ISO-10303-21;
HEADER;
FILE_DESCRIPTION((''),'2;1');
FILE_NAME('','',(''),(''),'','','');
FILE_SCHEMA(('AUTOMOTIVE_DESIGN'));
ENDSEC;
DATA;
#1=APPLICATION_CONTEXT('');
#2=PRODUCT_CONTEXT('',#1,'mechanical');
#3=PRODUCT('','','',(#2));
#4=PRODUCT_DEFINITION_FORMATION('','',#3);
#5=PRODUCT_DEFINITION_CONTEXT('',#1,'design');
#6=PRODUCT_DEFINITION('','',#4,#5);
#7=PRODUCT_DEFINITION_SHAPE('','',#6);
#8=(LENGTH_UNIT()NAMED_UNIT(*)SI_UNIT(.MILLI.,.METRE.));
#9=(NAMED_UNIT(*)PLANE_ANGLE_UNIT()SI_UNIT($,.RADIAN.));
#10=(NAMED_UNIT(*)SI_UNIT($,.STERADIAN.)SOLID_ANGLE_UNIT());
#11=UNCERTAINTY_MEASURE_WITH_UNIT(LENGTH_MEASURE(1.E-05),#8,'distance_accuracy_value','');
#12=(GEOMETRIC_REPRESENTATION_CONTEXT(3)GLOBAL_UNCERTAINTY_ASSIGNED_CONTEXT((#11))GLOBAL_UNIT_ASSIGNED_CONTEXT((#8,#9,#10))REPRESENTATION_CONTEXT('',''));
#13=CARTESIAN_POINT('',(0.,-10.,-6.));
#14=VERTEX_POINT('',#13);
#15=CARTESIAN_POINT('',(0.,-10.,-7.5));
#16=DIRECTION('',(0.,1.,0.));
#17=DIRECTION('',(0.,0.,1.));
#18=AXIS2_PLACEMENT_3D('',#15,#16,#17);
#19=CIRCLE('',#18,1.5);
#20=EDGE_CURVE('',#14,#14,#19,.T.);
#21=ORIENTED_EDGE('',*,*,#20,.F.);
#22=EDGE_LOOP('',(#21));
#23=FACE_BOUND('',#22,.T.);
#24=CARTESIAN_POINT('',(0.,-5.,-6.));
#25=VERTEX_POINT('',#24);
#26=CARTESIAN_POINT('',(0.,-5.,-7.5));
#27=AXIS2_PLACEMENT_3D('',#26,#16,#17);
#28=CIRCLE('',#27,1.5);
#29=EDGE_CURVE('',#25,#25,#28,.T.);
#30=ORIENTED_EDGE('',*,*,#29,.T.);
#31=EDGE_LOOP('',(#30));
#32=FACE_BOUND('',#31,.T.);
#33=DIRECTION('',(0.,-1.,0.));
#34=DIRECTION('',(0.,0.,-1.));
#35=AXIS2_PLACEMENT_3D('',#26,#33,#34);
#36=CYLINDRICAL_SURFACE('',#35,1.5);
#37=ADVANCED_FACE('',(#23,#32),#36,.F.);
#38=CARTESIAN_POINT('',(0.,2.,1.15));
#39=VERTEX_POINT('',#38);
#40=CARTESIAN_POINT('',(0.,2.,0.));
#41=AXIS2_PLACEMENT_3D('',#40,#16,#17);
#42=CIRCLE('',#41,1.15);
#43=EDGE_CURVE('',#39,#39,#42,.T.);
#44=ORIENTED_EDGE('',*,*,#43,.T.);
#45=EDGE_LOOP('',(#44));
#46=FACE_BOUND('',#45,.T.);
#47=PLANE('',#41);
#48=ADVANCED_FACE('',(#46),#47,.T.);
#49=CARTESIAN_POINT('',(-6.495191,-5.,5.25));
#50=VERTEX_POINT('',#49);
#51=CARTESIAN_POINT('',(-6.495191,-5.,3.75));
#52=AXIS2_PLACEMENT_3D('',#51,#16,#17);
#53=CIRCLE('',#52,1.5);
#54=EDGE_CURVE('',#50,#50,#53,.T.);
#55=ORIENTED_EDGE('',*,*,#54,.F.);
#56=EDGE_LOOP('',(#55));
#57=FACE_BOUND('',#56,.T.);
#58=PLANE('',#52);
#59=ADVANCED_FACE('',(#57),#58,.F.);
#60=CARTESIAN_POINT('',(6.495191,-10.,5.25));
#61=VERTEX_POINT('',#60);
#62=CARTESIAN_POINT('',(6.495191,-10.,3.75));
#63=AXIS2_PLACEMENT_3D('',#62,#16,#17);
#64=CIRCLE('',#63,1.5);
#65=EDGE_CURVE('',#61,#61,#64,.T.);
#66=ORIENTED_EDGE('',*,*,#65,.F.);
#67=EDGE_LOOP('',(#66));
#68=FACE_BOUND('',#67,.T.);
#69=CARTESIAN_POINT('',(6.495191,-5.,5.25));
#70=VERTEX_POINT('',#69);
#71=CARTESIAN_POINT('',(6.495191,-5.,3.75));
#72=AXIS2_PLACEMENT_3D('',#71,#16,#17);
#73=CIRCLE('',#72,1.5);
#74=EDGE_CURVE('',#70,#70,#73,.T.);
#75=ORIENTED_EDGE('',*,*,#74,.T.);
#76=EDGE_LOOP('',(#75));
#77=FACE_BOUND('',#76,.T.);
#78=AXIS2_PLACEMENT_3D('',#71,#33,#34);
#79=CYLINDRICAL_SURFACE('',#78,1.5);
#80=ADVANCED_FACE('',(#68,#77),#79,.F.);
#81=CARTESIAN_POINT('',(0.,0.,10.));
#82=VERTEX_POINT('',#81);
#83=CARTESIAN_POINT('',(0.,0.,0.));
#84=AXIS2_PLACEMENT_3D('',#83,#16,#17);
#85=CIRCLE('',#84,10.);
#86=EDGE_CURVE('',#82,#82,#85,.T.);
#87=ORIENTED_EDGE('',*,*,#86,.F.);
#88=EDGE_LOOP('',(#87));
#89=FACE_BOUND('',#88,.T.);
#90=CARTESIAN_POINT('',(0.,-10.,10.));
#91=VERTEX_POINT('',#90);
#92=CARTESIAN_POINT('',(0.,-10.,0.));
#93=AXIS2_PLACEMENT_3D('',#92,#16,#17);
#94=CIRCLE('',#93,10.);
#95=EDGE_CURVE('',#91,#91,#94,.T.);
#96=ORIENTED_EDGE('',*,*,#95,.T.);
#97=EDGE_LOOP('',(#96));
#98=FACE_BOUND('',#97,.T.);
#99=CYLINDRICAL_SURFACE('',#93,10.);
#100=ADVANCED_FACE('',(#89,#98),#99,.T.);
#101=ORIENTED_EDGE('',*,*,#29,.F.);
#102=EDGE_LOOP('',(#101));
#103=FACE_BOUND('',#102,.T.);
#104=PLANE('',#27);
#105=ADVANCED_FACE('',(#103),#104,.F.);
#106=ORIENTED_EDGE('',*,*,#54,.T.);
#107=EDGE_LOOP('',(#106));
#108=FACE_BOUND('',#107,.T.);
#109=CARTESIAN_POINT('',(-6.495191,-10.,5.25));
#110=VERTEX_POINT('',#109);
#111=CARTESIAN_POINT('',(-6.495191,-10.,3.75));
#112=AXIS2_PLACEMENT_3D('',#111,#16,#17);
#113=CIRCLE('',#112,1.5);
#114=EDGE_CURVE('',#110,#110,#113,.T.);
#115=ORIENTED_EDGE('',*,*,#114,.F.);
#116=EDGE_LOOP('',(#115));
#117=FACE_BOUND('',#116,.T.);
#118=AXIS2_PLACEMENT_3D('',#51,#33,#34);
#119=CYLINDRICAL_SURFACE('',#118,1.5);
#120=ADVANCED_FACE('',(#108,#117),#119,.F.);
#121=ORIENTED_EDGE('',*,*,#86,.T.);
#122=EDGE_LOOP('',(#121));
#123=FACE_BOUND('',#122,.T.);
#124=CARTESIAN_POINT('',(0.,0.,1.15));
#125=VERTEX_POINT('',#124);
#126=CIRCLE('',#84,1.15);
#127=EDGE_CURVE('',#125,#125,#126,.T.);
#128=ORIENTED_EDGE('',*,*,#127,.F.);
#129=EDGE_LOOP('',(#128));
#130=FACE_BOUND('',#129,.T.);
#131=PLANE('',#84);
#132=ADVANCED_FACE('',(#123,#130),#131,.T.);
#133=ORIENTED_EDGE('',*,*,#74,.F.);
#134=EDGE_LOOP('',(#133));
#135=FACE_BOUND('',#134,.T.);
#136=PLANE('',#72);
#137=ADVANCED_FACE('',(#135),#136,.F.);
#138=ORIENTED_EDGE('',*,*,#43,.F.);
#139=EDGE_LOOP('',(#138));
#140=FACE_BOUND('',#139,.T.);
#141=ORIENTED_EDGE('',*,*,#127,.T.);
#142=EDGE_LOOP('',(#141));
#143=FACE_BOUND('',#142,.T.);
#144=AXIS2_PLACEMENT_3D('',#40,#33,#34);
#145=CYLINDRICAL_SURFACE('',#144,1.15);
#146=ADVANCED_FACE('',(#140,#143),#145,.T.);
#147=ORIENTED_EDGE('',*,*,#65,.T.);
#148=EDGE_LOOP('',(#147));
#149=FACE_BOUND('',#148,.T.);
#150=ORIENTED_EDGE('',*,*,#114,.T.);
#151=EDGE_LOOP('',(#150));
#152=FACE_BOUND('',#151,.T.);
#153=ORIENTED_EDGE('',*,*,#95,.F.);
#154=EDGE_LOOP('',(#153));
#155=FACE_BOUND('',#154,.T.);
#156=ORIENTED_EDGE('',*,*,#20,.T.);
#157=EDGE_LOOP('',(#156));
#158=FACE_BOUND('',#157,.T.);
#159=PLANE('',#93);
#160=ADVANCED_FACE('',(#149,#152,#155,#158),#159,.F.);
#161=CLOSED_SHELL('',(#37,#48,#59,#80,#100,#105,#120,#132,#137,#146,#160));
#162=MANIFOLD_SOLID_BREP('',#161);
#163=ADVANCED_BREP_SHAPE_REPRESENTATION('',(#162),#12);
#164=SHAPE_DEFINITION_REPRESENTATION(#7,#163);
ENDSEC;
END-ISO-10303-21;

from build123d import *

# Parameters (mm, degrees)
SKETCH1_R           = 10
BOSS_EXTRUDE1_DEPTH = 10
SKETCH1_3_R         = 1.15
BOSS_EXTRUDE2_DEPTH = 2
CUT_EXTRUDE1_START  = -10
SKETCH1_4_R         = 1.5
CUT_EXTRUDE1_DEPTH  = 5


with BuildPart() as part:
    # Sketch1 → Boss-Extrude1 (new body)
    with BuildSketch(Plane(origin=(0, 0, 0), x_dir=(1, 0, 0), z_dir=(0, 1, 0))):
        Circle(SKETCH1_R)
    extrude(amount=-BOSS_EXTRUDE1_DEPTH)

    # Sketch1<3> → Boss-Extrude2 (add)
    with BuildSketch(Plane(origin=(0, 0, 0), x_dir=(1, 0, 0), z_dir=(0, 1, 0))):
        Circle(SKETCH1_3_R)
    extrude(amount=BOSS_EXTRUDE2_DEPTH)

    # Sketch1<4> → Cut-Extrude1 (cut)
    with BuildSketch(Plane(origin=(0, 0, 0), x_dir=(1, 0, 0), z_dir=(0, 1, 0)).offset(CUT_EXTRUDE1_START)):
        with Locations((6.495190528, -3.75)):
            Circle(SKETCH1_4_R)
        with Locations((-6.495190528, -3.75)):
            Circle(SKETCH1_4_R)
        with Locations((0, 7.5)):
            Circle(SKETCH1_4_R)
    extrude(amount=CUT_EXTRUDE1_DEPTH, mode=Mode.SUBTRACT)


solid = part.part
